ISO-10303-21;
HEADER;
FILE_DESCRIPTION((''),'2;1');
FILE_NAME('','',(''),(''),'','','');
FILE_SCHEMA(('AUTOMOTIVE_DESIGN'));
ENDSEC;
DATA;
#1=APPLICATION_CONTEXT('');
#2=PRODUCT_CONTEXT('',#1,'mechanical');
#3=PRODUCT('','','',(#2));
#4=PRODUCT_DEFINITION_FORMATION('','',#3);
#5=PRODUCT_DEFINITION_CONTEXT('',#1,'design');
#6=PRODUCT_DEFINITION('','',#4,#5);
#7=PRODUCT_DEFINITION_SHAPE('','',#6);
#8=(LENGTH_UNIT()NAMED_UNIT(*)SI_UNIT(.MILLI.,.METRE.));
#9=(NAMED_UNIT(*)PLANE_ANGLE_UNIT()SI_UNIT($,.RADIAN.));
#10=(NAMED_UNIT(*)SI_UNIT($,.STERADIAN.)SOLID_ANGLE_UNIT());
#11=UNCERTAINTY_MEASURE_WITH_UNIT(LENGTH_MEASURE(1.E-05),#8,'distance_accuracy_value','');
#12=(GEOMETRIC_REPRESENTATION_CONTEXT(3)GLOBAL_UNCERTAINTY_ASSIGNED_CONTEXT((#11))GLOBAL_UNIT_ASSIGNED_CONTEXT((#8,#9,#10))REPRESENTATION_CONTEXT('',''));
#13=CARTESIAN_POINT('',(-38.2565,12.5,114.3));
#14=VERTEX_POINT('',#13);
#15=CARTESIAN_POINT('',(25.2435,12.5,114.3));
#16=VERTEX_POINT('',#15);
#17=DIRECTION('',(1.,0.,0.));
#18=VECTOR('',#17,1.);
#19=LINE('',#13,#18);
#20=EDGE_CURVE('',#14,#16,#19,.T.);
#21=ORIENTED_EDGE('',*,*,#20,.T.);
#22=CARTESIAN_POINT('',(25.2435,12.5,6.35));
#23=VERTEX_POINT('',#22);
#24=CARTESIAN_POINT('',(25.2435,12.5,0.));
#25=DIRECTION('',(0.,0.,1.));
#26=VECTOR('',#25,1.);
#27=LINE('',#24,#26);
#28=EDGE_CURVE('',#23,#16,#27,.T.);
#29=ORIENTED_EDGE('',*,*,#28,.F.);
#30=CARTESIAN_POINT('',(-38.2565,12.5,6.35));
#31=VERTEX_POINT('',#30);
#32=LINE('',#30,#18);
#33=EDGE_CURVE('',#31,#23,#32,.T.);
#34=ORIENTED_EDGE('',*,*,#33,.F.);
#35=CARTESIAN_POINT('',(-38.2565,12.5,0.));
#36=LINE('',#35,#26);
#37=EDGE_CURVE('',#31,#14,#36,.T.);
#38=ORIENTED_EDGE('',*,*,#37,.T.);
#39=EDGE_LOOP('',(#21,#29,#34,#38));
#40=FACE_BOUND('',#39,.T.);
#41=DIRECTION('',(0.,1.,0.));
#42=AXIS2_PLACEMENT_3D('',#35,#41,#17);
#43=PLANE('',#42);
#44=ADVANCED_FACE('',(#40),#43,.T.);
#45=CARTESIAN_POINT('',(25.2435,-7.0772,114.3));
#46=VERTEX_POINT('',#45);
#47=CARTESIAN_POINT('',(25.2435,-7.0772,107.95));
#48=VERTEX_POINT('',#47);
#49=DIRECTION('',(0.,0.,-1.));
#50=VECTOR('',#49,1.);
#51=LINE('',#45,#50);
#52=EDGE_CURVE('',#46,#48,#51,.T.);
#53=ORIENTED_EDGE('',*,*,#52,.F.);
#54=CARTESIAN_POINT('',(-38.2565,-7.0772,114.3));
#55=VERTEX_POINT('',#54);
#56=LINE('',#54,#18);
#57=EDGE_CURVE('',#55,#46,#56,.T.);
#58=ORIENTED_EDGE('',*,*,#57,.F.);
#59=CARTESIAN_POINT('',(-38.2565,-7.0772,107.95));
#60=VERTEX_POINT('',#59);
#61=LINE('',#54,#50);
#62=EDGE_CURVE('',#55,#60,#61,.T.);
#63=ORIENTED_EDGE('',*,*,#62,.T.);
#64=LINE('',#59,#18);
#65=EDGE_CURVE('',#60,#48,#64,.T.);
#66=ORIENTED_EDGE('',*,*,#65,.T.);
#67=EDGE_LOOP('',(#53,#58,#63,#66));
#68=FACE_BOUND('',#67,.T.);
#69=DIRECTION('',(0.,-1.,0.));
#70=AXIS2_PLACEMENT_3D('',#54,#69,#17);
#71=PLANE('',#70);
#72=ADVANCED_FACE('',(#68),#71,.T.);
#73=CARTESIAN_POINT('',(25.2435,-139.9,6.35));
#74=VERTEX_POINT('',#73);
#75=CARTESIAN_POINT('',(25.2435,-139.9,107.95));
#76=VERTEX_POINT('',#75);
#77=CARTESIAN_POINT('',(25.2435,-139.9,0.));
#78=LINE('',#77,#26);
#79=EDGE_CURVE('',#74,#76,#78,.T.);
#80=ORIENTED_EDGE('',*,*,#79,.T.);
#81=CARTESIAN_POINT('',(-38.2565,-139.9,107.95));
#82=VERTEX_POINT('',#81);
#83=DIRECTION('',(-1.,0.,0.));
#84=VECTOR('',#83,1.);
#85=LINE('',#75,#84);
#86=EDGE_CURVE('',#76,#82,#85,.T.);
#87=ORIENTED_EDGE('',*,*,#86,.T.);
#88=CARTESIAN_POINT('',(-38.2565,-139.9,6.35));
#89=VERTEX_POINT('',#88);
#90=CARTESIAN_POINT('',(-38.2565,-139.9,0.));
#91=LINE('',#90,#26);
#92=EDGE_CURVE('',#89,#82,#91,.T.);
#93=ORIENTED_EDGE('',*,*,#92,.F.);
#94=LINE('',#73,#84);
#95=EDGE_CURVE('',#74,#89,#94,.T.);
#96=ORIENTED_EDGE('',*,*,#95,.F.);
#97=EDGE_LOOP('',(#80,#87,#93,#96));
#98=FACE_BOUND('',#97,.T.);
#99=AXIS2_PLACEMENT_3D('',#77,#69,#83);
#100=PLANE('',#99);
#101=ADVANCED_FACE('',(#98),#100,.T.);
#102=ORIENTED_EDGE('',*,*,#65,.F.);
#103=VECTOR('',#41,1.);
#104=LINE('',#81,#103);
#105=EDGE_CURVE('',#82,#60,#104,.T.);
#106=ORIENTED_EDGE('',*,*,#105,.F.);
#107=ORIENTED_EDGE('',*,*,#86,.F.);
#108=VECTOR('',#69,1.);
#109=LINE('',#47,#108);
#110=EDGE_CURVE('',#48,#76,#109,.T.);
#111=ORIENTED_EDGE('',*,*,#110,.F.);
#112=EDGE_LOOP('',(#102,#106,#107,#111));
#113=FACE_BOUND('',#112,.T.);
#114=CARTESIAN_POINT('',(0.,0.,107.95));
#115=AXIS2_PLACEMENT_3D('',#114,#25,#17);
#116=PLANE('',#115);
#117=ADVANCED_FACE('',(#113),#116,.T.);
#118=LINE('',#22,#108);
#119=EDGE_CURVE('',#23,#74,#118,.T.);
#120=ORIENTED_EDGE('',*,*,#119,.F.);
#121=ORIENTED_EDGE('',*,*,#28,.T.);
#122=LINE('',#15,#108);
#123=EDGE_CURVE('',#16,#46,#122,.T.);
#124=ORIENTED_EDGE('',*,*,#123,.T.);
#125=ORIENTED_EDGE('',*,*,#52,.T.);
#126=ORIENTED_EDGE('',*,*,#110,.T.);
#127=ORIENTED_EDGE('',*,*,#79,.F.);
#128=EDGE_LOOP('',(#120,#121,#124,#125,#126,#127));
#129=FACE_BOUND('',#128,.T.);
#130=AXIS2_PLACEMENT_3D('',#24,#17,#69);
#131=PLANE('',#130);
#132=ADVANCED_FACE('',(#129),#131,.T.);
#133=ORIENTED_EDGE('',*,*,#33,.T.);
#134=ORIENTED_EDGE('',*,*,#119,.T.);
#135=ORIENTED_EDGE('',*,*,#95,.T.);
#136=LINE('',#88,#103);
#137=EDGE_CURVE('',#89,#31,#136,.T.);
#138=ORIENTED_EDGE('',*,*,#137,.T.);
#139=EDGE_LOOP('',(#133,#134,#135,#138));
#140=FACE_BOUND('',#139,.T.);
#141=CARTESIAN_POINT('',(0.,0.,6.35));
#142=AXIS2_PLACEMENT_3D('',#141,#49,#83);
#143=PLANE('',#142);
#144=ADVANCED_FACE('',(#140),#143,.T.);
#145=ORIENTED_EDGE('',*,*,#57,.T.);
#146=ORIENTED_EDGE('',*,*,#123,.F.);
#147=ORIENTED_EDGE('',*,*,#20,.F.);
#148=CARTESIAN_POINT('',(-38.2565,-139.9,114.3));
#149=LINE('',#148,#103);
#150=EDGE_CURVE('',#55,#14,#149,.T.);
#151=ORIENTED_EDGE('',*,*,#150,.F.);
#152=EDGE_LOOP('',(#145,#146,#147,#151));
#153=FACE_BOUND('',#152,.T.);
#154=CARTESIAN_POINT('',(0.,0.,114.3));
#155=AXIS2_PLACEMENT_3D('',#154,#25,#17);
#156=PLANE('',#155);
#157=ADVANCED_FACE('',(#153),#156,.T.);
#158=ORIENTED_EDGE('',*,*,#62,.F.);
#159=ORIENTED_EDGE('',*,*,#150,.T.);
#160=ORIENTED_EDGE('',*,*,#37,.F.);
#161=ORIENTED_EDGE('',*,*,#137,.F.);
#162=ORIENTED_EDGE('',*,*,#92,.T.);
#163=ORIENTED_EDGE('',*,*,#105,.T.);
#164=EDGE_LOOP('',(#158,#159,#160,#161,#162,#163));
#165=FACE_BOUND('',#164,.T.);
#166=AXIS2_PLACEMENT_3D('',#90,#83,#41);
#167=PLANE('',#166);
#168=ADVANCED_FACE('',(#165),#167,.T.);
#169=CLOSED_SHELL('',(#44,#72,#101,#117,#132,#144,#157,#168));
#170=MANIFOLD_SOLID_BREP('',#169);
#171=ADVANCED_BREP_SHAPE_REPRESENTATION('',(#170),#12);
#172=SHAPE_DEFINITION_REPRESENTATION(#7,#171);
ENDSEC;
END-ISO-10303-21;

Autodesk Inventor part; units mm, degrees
ref_plane "YZ Plane" through (0, 0, 0) normal (1, 0, 0) x (0, 1, 0)
ref_plane "XZ Plane" through (0, 0, 0) normal (0, 1, 0) x (-1, 0, 0)
ref_plane "XY Plane" through (0, 0, 0) normal (0, 0, 1) x (1, 0, 0)
sketch "Sketch1" plane through (0, 0, 0) normal (0, 0, 1) x (1, 0, 0)
  line L0 (-38.2565, 12.5) -> (25.2435, 12.5)
  line L1 (25.2435, 12.5) -> (25.2435, -139.9)
  line L2 (25.2435, -139.9) -> (-38.2565, -139.9)
  line L3 (-38.2565, -139.9) -> (-38.2565, 12.5)
  point P0 (0, 0)
  dimension "d0" = 63.5
  dimension "d1" = 152.4
extrude "Extrusion1" add sketch "Sketch1" along normal blind 114.3
sketch "Sketch2" plane through (0, 0, 114.3) normal (0, 0, 1) x (1, 0, 0)
  line L0 (-38.2565, -139.9) -> (-38.2565, 12.5) projected
  line L1 (25.2435, -139.9) -> (-38.2565, -139.9) projected
  line L2 (-38.2565, -7.0772) -> (25.2435, -7.0772)
  line L3 (25.2435, -7.0772) -> (25.2435, -139.9)
  line L4 (25.2435, -139.9) -> (-38.2565, -139.9)
  line L5 (-38.2565, -139.9) -> (-38.2565, -7.0772)
  point P0 (0, 0)
extrude "Extrusion2" cut sketch "Sketch2" against normal blind 6.35
sketch "Sketch3" plane through (0, 0, 0) normal (0, 0, -1) x (-1, 0, 0)
  line L0 (38.2565, 12.5) -> (-25.2435, 12.5) projected
  line L1 (-25.2435, 12.5) -> (-25.2435, -139.9) projected
  line L2 (-25.2435, -139.9) -> (38.2565, -139.9) projected
  line L3 (38.2565, -139.9) -> (38.2565, 12.5) projected
  point P0 (0, 0)
extrude "Extrusion3" cut sketch "Sketch3" against normal blind 6.35
properties part number "battery"
